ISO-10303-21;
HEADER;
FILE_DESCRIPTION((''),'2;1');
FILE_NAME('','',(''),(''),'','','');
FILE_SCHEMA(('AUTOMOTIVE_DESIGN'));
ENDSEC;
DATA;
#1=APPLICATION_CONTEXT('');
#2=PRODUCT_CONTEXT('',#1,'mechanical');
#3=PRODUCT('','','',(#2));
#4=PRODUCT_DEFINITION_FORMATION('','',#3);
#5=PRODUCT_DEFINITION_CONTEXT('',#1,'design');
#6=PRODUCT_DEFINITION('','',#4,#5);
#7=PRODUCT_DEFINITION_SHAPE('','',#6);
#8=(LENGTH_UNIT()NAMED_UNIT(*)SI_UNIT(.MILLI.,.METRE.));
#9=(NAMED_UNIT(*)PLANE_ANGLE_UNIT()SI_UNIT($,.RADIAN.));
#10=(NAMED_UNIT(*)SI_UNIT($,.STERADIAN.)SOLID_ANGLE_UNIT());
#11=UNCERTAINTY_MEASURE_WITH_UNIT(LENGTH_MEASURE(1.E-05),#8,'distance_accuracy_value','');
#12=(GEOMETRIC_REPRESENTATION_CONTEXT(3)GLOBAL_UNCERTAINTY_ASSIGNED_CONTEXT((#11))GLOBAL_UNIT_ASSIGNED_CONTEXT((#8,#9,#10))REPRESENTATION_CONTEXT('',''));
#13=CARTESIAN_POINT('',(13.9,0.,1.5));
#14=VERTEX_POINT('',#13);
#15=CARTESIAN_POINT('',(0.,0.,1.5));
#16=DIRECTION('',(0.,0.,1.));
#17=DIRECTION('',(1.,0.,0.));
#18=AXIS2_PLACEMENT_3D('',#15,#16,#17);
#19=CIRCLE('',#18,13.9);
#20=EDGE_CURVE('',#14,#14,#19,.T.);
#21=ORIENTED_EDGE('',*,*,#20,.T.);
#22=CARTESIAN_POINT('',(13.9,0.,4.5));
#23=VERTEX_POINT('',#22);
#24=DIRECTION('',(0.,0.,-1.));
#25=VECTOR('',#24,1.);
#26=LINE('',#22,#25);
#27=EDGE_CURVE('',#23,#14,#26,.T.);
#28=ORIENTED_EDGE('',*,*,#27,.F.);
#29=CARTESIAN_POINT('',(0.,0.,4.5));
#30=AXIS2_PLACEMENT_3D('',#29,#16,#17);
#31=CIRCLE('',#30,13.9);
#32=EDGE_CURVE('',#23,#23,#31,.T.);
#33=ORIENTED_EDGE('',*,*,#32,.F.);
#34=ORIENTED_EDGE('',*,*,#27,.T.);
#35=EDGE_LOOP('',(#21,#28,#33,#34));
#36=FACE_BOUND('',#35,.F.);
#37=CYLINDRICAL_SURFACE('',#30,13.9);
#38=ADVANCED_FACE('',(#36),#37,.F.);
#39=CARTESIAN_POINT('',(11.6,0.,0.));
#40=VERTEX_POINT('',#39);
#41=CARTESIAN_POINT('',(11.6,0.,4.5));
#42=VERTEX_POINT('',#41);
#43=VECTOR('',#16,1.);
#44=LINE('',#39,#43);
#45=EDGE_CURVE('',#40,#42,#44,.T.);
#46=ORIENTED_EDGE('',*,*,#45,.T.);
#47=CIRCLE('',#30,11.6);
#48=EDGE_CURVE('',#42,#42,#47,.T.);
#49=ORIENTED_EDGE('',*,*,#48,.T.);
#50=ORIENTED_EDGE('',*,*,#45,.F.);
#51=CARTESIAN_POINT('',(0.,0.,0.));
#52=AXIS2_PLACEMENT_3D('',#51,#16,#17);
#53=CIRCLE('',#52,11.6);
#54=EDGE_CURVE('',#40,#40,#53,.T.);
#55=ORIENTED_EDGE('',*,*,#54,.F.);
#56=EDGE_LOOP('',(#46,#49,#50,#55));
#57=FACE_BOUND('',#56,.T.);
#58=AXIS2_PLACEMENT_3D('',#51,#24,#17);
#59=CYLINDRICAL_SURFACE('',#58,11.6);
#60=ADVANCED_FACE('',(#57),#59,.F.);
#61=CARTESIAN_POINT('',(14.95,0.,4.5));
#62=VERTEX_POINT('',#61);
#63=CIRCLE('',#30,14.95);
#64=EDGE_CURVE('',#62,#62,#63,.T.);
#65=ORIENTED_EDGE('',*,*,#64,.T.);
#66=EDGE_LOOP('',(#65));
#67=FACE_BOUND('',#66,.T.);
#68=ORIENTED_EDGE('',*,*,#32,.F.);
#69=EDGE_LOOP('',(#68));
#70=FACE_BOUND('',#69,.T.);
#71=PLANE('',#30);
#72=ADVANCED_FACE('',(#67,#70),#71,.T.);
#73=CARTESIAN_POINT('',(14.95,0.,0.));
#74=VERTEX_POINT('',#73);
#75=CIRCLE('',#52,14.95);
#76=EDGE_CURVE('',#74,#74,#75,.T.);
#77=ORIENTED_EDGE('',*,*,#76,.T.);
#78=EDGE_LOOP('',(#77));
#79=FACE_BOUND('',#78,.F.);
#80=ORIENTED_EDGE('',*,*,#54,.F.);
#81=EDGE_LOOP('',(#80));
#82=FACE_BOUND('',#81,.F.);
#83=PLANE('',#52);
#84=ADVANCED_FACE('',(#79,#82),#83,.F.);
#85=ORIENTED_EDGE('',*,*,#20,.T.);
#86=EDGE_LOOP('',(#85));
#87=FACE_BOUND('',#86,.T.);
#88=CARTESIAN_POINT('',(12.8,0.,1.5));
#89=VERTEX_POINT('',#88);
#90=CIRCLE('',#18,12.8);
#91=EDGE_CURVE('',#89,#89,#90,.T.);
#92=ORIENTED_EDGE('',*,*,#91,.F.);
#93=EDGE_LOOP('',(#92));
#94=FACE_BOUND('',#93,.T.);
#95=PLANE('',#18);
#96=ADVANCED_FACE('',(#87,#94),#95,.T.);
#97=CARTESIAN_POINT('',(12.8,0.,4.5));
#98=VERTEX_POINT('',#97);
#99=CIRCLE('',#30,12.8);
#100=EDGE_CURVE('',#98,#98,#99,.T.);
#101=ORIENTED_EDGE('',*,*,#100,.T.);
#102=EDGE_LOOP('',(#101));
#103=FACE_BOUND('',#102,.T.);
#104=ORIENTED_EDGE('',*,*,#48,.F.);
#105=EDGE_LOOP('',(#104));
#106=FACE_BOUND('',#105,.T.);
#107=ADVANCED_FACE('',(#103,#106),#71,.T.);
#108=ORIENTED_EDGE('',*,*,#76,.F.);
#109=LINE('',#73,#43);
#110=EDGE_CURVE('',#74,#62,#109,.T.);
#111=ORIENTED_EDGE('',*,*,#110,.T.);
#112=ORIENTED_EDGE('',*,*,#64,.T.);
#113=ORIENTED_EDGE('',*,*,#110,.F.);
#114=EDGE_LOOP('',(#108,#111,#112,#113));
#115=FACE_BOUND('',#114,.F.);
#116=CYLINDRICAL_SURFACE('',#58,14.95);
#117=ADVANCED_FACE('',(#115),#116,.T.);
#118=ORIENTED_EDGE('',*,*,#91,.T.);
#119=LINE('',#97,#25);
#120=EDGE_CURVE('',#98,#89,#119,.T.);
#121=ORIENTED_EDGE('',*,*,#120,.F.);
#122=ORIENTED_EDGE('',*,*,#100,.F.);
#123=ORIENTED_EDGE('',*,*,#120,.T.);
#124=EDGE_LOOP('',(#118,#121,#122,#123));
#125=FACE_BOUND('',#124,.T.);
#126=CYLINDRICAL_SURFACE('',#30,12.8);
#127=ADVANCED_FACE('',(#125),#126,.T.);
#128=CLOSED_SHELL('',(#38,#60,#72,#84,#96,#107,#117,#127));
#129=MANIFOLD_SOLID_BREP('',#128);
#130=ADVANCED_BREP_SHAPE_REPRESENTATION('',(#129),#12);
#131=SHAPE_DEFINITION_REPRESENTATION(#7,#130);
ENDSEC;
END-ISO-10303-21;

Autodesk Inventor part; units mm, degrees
ref_plane "YZ Plane" through (0, 0, 0) normal (1, 0, 0) x (0, 1, 0)
ref_plane "XZ Plane" through (0, 0, 0) normal (0, 1, 0) x (-1, 0, 0)
ref_plane "XY Plane" through (0, 0, 0) normal (0, 0, 1) x (1, 0, 0)
sketch "Skizze1" plane through (0, 0, 0) normal (0, 0, 1) x (1, 0, 0)
  circle A0 centre (0, 0) radius 11.6
  circle A1 centre (0, 0) radius 14.95
  dimension "d0" = 29.9
  dimension "d1" = 23.2
  dimension "d2" = 3.35
extrude "Extrusion1" add sketch "Skizze1" along normal blind 4.5
sketch "Skizze2" plane through (0, 0, 4.5) normal (0, 0, 1) x (1, 0, 0)
  circle A0 centre (0, 0) radius 12.8
  circle A1 centre (0, 0) radius 13.9
  circle A2 centre (0, 0) radius 11.6 projected
  circle A3 centre (0, 0) radius 14.95 projected
  dimension "d5" = 25.6
  dimension "d6" = 27.8
  dimension "d7" = 1.1
  dimension "d8" = 1.2
  dimension "d9" = 1.05
extrude "Extrusion2" cut sketch "Skizze2" against normal blind 3 contours A1
properties part number "20_cube_lens_holder_clamp NEW"
